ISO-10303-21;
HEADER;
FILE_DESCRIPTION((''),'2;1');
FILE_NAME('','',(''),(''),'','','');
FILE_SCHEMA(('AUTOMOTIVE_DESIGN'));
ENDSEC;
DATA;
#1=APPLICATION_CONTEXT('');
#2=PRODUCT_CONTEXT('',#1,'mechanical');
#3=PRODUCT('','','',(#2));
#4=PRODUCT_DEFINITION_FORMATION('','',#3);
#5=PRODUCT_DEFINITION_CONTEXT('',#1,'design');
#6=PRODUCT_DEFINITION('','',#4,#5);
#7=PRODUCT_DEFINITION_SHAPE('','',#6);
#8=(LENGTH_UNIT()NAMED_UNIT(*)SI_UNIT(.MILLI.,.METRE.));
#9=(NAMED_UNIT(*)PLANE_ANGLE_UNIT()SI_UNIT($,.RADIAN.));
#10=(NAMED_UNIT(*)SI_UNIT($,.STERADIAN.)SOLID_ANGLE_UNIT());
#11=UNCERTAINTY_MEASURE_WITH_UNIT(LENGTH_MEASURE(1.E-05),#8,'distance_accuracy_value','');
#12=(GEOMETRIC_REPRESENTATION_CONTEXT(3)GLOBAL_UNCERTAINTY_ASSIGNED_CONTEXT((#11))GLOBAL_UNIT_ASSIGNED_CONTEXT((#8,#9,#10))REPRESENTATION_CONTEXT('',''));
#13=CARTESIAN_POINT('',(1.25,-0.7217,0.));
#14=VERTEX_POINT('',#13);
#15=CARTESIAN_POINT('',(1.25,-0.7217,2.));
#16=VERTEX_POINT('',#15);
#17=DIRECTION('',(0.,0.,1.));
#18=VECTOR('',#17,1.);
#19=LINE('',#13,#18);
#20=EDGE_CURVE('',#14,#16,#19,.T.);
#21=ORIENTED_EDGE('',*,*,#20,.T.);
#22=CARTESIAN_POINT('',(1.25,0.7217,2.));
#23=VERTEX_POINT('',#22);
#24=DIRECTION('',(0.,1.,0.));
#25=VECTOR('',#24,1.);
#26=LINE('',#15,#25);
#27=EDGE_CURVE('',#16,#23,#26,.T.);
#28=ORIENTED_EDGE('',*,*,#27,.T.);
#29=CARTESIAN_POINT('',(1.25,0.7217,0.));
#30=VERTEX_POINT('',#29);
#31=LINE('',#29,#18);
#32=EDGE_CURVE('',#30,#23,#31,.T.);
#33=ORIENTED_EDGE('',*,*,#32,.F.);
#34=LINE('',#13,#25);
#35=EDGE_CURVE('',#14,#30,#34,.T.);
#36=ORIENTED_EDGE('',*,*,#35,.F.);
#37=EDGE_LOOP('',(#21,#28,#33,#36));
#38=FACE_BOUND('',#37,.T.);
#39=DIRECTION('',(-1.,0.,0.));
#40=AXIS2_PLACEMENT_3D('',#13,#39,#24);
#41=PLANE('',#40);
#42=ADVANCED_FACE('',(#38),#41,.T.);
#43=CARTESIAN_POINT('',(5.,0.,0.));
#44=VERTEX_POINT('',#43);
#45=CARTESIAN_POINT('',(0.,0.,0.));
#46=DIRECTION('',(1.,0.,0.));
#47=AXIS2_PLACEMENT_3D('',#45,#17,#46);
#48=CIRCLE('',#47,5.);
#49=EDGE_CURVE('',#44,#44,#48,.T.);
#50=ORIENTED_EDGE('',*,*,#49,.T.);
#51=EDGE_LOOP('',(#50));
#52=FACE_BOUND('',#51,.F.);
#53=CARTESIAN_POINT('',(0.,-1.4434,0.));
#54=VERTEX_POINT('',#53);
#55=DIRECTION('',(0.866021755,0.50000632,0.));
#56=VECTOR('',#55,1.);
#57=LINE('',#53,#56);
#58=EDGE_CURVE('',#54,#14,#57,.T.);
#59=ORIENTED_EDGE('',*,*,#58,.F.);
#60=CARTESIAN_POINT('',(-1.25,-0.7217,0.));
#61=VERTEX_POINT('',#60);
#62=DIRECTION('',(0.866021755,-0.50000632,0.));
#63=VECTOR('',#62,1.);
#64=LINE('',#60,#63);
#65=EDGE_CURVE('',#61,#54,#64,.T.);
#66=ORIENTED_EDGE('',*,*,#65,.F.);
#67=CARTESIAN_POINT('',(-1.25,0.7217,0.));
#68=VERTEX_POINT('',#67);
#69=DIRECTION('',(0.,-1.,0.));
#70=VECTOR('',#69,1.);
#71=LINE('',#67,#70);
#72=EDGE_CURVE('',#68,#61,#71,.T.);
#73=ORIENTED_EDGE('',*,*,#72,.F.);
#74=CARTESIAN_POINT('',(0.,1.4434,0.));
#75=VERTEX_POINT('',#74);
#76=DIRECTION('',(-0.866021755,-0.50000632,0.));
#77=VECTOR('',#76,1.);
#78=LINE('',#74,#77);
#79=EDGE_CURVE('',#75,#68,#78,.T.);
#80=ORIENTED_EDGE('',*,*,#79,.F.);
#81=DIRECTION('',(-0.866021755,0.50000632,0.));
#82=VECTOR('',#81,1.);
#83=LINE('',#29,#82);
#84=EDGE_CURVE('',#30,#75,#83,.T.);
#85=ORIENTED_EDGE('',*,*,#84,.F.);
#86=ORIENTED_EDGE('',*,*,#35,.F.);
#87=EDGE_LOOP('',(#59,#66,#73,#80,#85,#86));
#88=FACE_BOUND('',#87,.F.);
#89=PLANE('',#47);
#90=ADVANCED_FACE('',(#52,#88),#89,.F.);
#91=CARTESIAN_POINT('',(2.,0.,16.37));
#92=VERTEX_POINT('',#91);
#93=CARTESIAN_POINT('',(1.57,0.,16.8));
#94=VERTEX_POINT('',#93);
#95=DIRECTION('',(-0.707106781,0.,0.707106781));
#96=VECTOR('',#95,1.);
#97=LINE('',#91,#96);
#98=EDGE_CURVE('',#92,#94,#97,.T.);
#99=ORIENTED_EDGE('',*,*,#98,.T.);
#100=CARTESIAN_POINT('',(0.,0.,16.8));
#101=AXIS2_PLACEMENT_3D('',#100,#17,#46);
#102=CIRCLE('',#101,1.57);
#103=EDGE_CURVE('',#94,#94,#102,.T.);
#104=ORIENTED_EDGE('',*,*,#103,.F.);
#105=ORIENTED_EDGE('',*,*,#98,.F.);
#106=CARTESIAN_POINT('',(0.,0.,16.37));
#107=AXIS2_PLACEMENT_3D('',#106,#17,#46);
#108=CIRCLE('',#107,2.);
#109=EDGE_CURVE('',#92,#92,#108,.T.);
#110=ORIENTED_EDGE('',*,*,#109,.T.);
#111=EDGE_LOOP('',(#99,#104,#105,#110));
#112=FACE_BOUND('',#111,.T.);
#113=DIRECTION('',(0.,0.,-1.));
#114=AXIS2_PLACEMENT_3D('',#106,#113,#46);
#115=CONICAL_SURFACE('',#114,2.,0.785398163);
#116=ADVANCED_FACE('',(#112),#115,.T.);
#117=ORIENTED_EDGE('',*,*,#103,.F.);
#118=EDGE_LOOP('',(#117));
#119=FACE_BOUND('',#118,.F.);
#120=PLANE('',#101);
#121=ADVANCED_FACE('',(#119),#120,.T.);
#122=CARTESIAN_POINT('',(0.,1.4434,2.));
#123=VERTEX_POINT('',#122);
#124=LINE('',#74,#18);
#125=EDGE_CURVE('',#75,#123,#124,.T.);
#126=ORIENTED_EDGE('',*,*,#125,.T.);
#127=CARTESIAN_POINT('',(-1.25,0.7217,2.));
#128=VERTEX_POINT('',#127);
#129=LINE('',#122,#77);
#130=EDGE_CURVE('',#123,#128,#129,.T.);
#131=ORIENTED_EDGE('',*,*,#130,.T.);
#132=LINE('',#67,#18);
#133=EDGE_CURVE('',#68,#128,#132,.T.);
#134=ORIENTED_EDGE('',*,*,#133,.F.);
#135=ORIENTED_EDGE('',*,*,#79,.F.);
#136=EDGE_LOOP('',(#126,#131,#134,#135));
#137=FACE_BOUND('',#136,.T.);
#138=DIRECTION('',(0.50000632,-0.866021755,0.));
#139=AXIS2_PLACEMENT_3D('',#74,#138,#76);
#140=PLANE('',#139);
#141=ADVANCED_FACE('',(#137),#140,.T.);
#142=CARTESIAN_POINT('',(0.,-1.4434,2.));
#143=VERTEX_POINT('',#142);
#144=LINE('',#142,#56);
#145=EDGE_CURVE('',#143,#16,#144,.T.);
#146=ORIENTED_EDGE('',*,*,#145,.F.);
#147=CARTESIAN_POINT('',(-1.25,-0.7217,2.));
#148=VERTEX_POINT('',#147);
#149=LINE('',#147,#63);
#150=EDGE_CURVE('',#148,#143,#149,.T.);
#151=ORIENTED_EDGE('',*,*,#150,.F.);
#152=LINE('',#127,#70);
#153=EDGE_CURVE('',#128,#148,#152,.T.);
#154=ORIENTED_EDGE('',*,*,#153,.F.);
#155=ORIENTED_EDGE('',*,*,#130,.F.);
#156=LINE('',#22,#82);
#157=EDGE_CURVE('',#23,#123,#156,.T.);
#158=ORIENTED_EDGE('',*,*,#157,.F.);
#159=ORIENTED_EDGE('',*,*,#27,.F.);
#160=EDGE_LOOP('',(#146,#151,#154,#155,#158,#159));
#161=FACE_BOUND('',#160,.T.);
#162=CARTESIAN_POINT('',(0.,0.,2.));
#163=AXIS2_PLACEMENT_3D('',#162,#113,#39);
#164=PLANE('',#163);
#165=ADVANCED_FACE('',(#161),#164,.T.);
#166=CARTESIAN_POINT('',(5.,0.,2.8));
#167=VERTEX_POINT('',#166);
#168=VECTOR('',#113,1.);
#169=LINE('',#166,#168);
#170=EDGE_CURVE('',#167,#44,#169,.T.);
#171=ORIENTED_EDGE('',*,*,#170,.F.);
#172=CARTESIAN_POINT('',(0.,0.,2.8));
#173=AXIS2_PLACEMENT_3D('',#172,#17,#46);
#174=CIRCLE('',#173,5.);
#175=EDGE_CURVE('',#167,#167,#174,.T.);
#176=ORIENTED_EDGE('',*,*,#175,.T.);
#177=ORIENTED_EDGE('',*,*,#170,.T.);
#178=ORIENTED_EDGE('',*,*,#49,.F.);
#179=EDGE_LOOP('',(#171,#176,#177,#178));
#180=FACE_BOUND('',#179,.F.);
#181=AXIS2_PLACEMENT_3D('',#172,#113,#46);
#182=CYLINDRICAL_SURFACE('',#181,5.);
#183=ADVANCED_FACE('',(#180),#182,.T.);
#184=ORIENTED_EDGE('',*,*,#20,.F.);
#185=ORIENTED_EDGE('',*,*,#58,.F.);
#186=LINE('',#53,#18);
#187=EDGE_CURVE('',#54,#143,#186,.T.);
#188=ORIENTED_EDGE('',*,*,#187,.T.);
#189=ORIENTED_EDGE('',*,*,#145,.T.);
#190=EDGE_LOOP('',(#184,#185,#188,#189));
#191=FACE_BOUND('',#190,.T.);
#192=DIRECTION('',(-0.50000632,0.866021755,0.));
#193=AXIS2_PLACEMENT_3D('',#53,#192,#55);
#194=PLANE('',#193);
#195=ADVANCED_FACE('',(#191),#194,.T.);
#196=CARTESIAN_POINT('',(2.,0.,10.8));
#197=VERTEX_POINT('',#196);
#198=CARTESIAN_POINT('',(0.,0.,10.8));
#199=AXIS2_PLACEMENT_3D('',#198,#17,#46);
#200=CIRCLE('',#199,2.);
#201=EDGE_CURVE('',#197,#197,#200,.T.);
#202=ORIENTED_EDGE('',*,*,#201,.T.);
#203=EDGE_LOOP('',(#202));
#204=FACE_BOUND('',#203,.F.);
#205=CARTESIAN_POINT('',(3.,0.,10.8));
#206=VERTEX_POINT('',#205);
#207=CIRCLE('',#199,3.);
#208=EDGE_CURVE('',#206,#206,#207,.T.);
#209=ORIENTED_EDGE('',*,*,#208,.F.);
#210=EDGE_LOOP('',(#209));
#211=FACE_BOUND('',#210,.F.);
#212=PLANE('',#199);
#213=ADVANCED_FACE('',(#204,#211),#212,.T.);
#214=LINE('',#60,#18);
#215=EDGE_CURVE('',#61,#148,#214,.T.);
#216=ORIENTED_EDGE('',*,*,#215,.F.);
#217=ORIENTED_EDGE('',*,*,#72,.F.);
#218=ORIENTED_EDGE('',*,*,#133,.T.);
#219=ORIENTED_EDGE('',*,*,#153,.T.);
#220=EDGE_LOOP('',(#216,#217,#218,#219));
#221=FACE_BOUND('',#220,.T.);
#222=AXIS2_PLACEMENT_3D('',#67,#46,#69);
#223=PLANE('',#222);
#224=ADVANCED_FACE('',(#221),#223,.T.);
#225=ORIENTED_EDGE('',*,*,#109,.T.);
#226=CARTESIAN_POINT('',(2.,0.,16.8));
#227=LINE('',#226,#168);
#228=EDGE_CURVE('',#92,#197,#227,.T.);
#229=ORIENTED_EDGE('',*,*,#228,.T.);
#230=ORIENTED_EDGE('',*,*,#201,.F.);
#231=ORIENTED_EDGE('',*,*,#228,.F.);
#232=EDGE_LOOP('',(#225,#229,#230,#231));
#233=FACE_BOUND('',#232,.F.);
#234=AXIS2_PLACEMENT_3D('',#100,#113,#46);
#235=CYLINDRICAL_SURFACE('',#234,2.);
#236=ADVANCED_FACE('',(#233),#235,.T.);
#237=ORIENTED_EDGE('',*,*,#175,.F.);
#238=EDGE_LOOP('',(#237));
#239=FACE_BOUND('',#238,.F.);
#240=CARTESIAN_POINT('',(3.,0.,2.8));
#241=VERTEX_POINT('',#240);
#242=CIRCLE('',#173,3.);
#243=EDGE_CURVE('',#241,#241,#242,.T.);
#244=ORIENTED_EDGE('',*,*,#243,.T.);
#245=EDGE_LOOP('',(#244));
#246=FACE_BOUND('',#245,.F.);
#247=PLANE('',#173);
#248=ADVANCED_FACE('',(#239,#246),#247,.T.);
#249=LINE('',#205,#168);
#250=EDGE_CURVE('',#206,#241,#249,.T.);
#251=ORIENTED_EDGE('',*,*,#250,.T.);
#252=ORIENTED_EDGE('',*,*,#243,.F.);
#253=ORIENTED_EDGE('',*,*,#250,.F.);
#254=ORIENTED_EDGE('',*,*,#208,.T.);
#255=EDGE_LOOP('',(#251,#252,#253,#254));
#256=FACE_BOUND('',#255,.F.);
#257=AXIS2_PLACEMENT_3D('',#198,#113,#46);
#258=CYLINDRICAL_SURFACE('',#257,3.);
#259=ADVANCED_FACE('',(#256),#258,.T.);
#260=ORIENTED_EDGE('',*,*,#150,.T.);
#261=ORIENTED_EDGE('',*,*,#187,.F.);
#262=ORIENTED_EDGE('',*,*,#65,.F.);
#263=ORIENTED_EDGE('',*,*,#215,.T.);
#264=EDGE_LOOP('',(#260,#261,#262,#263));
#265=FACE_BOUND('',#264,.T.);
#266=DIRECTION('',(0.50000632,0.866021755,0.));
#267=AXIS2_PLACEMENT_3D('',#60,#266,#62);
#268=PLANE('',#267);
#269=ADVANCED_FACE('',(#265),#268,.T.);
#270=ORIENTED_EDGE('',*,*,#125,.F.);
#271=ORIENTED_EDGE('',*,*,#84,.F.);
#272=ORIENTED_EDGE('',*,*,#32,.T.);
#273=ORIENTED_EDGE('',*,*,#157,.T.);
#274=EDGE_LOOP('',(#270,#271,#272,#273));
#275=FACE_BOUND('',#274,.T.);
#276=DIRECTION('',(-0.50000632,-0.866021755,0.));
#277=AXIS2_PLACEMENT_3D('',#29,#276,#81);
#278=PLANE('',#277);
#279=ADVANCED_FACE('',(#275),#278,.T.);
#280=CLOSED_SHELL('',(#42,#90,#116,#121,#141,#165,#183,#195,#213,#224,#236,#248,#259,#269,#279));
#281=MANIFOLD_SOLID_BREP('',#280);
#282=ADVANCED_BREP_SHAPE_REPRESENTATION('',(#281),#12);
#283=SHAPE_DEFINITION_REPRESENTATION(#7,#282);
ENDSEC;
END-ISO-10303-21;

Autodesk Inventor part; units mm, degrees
ref_plane "YZ Plane" through (0, 0, 0) normal (1, 0, 0) x (0, 1, 0)
ref_plane "XZ Plane" through (0, 0, 0) normal (0, 1, 0) x (-1, 0, 0)
ref_plane "XY Plane" through (0, 0, 0) normal (0, 0, 1) x (1, 0, 0)
sketch "Sketch1" plane through (0, 0, 0) normal (0, 1, 0) x (-1, 0, 0)
  line L0 (0, 0) -> (0, 16.8)
  line L1 (0, 16.8) -> (-2, 16.8)
  line L2 (-2, 16.8) -> (-2, 10.8)
  line L3 (-2, 10.8) -> (-3, 10.8)
  line L4 (-3, 10.8) -> (-3, 2.8)
  line L5 (-3, 2.8) -> (-5, 2.8)
  line L6 (-5, 2.8) -> (-5, 0)
  line L7 (-5, 0) -> (0, 0)
  dimension "d0" = 10
  dimension "d1" = 6
  dimension "d2" = 4
  dimension "d3" = 6
  dimension "d4" = 8
  dimension "d5" = 2.8
revolve "Revolution1" add sketch "Sketch1" angle 360 about axis through (0, 0, 0) along (0, 0, 1)
thread "Thread1" size "M4x0.7" class "6g" standard "ANSI Metric M Profile" length 6 offset 1.2
sketch "Sketch2" plane through (0, 0, 0) normal (0, 0, -1) x (-1, 0, 0)
  line L0 (0, 1.4434) -> (1.25, 0.7217)
  line L1 (1.25, 0.7217) -> (1.25, -0.7217)
  line L2 (1.25, -0.7217) -> (0, -1.4434)
  line L3 (0, -1.4434) -> (-1.25, -0.7217)
  line L4 (-1.25, -0.7217) -> (-1.25, 0.7217)
  line L5 (-1.25, 0.7217) -> (0, 1.4434)
  point P0 (0, 0)
  point P1 (0, 0)
  dimension "d9" = 2.5
extrude "Extrusion1" cut sketch "Sketch2" against normal blind 2
chamfer "Chamfer1" distance 0.43 angle 45 1 edges at (-2, 0, 16.8)
properties part number "DBSY4-8-6" material "Stainless Steel AISI 304"
